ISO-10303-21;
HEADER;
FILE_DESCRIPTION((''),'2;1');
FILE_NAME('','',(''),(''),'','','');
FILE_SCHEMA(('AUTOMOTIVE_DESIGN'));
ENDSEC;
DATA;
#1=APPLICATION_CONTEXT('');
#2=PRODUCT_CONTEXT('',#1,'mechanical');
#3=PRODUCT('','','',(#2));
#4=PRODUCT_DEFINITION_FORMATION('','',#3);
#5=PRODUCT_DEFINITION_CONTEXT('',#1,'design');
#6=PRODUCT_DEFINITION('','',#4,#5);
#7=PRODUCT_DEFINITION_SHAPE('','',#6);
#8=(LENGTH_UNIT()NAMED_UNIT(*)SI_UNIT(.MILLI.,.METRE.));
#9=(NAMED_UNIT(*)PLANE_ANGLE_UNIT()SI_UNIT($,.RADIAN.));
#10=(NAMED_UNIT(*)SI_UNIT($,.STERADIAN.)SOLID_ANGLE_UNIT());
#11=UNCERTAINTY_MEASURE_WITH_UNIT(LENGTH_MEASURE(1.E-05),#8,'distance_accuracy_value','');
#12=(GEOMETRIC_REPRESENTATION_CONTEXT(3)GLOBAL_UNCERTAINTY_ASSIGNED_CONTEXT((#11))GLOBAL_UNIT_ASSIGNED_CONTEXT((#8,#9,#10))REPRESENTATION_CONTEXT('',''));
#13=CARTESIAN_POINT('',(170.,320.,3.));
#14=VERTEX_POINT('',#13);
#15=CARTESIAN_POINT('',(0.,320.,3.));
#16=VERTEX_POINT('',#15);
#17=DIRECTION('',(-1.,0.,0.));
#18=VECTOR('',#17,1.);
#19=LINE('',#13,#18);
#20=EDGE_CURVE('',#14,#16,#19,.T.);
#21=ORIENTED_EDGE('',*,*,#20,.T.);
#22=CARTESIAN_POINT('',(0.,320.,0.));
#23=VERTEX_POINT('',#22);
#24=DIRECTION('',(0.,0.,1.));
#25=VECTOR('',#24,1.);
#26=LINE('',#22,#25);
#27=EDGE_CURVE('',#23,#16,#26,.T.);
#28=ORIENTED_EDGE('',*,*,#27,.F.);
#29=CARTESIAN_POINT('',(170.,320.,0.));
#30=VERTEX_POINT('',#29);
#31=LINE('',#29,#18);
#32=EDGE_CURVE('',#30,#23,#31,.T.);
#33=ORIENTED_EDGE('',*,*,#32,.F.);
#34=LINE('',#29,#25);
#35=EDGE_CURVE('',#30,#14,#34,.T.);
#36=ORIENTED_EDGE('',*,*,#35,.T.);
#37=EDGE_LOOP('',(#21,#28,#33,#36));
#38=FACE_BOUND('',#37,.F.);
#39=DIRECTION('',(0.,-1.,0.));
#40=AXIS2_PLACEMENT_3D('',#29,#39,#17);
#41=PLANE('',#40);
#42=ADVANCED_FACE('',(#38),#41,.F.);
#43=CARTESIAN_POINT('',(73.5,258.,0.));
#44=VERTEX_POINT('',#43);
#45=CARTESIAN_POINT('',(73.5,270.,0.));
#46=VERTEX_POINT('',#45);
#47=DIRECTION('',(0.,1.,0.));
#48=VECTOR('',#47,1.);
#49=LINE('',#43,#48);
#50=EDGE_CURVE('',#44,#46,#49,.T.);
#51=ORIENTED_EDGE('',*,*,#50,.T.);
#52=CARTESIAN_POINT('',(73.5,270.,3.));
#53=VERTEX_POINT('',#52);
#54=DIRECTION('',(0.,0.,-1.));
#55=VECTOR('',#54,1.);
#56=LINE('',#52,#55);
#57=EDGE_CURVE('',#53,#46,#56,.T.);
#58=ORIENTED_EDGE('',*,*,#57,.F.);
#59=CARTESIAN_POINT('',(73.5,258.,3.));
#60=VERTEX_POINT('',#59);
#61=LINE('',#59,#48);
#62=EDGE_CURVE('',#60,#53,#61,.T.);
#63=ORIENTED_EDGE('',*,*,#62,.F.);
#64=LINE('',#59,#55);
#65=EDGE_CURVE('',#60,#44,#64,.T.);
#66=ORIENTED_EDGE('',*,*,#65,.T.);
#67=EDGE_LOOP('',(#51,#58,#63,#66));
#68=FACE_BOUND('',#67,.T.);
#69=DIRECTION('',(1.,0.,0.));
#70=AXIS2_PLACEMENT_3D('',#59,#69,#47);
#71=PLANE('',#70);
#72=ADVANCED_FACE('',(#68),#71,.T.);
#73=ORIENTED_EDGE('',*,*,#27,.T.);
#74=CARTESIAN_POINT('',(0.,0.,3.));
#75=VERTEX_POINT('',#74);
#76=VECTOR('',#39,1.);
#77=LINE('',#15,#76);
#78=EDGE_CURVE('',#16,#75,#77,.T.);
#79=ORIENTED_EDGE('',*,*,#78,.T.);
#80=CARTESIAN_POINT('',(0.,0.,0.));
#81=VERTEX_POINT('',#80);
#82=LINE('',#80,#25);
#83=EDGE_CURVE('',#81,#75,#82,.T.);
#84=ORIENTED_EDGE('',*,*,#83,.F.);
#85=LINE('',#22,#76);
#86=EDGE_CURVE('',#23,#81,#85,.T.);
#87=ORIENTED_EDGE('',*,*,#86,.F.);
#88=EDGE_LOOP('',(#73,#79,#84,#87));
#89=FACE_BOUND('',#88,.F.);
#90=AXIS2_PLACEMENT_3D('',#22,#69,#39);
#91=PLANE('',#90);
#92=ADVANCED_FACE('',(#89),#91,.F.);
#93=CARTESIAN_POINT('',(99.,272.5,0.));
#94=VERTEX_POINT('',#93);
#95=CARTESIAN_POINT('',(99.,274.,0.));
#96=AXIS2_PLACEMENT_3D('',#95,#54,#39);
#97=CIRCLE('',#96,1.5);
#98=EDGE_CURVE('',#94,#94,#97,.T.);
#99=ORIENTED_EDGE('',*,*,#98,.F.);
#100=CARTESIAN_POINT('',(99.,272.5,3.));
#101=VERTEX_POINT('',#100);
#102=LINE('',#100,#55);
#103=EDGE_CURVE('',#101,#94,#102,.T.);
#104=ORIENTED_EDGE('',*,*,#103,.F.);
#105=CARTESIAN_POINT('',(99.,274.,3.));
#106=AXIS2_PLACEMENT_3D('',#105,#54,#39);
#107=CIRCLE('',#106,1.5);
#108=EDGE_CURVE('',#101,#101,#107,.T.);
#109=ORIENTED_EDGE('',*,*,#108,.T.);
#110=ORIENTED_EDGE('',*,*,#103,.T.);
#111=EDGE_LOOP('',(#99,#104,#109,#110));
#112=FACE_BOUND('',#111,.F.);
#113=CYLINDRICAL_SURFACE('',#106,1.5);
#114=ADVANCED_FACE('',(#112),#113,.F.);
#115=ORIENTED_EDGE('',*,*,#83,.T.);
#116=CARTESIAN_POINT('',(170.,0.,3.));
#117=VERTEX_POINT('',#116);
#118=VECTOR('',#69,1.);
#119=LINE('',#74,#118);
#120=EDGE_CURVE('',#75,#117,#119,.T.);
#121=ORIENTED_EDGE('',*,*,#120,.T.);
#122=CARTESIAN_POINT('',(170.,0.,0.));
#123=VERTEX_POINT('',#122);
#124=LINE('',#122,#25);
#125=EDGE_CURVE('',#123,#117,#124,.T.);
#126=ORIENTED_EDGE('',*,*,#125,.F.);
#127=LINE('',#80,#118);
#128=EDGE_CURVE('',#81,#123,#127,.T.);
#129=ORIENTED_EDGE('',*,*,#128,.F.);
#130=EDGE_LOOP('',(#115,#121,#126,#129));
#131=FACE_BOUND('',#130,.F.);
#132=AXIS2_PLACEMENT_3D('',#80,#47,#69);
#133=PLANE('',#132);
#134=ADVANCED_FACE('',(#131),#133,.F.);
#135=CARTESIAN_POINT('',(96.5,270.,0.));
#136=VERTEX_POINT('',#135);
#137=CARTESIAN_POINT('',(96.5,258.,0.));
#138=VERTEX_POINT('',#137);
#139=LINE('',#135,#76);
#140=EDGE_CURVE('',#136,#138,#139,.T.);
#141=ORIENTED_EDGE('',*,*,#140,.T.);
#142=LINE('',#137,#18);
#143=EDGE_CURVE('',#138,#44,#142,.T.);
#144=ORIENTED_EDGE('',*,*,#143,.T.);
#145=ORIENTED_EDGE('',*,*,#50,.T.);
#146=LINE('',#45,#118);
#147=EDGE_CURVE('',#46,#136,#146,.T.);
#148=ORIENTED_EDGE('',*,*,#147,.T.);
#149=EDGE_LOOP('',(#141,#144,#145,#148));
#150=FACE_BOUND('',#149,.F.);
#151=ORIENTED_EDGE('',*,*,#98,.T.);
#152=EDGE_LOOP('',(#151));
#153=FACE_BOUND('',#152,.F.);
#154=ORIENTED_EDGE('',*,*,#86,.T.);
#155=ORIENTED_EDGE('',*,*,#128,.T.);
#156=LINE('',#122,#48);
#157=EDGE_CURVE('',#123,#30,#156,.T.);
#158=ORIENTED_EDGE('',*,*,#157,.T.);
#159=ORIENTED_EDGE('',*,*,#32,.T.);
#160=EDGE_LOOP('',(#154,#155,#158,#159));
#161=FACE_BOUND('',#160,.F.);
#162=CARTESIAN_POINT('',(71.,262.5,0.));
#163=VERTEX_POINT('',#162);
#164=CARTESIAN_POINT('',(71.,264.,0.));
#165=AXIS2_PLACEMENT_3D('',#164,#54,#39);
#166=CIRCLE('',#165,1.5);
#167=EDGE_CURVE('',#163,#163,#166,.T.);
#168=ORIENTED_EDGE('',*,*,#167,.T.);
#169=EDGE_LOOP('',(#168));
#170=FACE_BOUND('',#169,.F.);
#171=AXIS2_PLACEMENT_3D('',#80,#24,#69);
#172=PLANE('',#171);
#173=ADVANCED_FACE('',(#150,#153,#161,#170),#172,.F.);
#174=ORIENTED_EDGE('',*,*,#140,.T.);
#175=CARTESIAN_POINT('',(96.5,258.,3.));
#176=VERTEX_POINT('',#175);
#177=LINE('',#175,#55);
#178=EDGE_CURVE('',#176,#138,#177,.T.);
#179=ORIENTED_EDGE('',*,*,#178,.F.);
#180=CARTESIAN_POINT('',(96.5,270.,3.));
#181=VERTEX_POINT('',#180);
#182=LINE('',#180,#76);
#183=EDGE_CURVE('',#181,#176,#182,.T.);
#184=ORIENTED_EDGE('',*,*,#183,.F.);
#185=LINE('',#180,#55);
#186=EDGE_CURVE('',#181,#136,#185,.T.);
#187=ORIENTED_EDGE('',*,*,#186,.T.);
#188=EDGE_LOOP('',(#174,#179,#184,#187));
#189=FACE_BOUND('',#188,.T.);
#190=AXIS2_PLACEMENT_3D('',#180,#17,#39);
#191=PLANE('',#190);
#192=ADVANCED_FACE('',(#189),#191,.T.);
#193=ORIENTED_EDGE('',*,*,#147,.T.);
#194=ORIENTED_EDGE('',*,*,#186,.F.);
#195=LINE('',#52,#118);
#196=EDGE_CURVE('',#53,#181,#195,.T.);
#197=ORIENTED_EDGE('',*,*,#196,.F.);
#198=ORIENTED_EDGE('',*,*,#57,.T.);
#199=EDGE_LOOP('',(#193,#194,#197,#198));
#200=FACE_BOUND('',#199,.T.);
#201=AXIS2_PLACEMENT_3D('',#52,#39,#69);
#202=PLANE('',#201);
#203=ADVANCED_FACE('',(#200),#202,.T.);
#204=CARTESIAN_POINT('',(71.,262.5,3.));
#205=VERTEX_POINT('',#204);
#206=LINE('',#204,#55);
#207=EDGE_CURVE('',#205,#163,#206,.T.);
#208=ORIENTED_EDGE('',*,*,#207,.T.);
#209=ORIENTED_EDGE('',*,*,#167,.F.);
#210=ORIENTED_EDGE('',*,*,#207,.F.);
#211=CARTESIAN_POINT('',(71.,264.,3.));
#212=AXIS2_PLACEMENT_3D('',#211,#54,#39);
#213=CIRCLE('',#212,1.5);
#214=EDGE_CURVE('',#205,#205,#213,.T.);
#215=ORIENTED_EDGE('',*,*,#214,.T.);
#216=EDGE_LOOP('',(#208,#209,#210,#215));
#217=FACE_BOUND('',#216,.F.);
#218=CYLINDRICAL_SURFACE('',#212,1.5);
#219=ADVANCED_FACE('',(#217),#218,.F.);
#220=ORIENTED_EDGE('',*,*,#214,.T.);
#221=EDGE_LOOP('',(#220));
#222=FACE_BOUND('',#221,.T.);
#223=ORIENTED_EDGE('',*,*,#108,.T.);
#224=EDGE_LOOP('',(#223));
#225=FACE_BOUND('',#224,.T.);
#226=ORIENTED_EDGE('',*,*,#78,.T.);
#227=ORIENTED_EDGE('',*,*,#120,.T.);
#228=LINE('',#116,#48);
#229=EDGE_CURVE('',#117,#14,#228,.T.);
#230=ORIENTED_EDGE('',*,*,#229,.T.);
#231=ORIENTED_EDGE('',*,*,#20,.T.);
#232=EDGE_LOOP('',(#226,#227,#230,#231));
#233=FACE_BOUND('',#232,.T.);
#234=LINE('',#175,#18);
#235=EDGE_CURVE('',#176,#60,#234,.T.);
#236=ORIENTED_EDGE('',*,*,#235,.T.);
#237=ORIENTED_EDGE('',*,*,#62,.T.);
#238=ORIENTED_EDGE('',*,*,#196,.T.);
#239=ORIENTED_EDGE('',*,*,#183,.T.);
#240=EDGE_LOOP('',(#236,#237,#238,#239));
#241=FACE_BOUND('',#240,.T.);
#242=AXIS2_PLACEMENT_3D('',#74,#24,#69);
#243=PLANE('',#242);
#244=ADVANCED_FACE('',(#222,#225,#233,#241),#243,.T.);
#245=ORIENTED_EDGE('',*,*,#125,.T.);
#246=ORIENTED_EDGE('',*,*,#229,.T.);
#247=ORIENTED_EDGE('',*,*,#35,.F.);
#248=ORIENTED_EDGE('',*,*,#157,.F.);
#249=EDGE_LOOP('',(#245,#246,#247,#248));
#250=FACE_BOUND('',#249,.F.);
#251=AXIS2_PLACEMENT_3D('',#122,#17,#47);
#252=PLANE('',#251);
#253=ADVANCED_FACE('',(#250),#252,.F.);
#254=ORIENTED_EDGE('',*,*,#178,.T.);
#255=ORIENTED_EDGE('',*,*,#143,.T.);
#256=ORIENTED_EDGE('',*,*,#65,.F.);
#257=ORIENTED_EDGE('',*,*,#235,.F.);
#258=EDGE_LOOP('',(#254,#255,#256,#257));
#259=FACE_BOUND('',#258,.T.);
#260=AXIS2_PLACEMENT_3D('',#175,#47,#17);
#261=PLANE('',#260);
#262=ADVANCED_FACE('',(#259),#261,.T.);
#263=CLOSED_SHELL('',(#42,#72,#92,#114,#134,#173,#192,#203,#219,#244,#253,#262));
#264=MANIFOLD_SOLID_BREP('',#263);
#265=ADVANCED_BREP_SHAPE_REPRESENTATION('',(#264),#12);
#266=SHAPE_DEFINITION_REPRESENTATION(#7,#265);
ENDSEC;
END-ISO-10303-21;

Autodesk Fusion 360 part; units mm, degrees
sketch "Sketch1" plane through (0, 0, 0) normal (0, 0, 1) x (1, 0, 0)
  line L0 (0, 0) -> (170, 0)
  line L1 (170, 0) -> (170, 320)
  line L2 (170, 320) -> (0, 320)
  line L3 (0, 320) -> (0, 0)
  dimension "d1" = 170
  dimension "d2" = 320
extrude "Extrude1" add sketch "Sketch1" along normal blind 3
sketch "Sketch2" plane through (0, 0, 3) normal (0, 0, 1) x (-1, 0, 0)
  line L0 (0, -320) -> (0, 0)
  line L1 (0, 0) -> (-170, 0)
  line L2 (-170, 0) -> (-170, -320)
  line L3 (-170, -320) -> (0, -320)
  line L4 (-73.5, -270) -> (-96.5, -270)
  line L5 (-96.5, -270) -> (-96.5, -258)
  line L6 (-96.5, -258) -> (-73.5, -258)
  line L7 (-73.5, -258) -> (-73.5, -270)
  dimension "d8" = 23
  dimension "d9" = 12
  dimension "d10" = 73.5
  dimension "d12" = 73.5
  dimension "d13" = 50
extrude "Extrude2" cut sketch "Sketch2" against normal blind 3 contours L4 L5 L6 L7
sketch "dd" plane through (0, 0, 3) normal (0, 0, 1) x (-1, 0, 0)
  line L0 (-41.5, -99) -> (-128.5, -99)
  line L1 (-128.5, -99) -> (-128.5, -221)
  line L2 (-128.5, -221) -> (-41.5, -221)
  line L3 (-41.5, -221) -> (-41.5, -99)
  line L4 (0, -320) -> (0, 0)
  line L5 (-170, 0) -> (-170, -320)
  line L6 (0, 0) -> (-170, 0)
  line L7 (-170, -320) -> (0, -320)
  dimension "d16" = 122
  dimension "d17" = 87
  dimension "d18" = 41.5
  dimension "d19" = 41.5
  dimension "d20" = 99
  dimension "d21" = 99
sketch "Sketch6" plane through (0, 0, 3) normal (0, 0, 1) x (-1, 0, 0)
  circle A0 centre (-99, -264) radius 1.5
  line L0 (-96.5, -270) -> (-96.5, -258)
  circle A1 centre (-99, -274) radius 1.5
  circle A2 centre (-71, -264) radius 1.5
  line L1 (-73.5, -258) -> (-73.5, -270)
  dimension "d22" = 2.5
  dimension "d23" = 3
  dimension "d24" = 6
  dimension "d26" = 3
  dimension "d27" = 2.5
  dimension "d28" = 6
hole "Hole1" at (71, 264, 3) direction (0, 0, -1) diameter 3 depth 3 tip angle 118
hole "Hole2" at (99, 274, 3) direction (0, 0, -1) diameter 3 depth 3 tip angle 118
